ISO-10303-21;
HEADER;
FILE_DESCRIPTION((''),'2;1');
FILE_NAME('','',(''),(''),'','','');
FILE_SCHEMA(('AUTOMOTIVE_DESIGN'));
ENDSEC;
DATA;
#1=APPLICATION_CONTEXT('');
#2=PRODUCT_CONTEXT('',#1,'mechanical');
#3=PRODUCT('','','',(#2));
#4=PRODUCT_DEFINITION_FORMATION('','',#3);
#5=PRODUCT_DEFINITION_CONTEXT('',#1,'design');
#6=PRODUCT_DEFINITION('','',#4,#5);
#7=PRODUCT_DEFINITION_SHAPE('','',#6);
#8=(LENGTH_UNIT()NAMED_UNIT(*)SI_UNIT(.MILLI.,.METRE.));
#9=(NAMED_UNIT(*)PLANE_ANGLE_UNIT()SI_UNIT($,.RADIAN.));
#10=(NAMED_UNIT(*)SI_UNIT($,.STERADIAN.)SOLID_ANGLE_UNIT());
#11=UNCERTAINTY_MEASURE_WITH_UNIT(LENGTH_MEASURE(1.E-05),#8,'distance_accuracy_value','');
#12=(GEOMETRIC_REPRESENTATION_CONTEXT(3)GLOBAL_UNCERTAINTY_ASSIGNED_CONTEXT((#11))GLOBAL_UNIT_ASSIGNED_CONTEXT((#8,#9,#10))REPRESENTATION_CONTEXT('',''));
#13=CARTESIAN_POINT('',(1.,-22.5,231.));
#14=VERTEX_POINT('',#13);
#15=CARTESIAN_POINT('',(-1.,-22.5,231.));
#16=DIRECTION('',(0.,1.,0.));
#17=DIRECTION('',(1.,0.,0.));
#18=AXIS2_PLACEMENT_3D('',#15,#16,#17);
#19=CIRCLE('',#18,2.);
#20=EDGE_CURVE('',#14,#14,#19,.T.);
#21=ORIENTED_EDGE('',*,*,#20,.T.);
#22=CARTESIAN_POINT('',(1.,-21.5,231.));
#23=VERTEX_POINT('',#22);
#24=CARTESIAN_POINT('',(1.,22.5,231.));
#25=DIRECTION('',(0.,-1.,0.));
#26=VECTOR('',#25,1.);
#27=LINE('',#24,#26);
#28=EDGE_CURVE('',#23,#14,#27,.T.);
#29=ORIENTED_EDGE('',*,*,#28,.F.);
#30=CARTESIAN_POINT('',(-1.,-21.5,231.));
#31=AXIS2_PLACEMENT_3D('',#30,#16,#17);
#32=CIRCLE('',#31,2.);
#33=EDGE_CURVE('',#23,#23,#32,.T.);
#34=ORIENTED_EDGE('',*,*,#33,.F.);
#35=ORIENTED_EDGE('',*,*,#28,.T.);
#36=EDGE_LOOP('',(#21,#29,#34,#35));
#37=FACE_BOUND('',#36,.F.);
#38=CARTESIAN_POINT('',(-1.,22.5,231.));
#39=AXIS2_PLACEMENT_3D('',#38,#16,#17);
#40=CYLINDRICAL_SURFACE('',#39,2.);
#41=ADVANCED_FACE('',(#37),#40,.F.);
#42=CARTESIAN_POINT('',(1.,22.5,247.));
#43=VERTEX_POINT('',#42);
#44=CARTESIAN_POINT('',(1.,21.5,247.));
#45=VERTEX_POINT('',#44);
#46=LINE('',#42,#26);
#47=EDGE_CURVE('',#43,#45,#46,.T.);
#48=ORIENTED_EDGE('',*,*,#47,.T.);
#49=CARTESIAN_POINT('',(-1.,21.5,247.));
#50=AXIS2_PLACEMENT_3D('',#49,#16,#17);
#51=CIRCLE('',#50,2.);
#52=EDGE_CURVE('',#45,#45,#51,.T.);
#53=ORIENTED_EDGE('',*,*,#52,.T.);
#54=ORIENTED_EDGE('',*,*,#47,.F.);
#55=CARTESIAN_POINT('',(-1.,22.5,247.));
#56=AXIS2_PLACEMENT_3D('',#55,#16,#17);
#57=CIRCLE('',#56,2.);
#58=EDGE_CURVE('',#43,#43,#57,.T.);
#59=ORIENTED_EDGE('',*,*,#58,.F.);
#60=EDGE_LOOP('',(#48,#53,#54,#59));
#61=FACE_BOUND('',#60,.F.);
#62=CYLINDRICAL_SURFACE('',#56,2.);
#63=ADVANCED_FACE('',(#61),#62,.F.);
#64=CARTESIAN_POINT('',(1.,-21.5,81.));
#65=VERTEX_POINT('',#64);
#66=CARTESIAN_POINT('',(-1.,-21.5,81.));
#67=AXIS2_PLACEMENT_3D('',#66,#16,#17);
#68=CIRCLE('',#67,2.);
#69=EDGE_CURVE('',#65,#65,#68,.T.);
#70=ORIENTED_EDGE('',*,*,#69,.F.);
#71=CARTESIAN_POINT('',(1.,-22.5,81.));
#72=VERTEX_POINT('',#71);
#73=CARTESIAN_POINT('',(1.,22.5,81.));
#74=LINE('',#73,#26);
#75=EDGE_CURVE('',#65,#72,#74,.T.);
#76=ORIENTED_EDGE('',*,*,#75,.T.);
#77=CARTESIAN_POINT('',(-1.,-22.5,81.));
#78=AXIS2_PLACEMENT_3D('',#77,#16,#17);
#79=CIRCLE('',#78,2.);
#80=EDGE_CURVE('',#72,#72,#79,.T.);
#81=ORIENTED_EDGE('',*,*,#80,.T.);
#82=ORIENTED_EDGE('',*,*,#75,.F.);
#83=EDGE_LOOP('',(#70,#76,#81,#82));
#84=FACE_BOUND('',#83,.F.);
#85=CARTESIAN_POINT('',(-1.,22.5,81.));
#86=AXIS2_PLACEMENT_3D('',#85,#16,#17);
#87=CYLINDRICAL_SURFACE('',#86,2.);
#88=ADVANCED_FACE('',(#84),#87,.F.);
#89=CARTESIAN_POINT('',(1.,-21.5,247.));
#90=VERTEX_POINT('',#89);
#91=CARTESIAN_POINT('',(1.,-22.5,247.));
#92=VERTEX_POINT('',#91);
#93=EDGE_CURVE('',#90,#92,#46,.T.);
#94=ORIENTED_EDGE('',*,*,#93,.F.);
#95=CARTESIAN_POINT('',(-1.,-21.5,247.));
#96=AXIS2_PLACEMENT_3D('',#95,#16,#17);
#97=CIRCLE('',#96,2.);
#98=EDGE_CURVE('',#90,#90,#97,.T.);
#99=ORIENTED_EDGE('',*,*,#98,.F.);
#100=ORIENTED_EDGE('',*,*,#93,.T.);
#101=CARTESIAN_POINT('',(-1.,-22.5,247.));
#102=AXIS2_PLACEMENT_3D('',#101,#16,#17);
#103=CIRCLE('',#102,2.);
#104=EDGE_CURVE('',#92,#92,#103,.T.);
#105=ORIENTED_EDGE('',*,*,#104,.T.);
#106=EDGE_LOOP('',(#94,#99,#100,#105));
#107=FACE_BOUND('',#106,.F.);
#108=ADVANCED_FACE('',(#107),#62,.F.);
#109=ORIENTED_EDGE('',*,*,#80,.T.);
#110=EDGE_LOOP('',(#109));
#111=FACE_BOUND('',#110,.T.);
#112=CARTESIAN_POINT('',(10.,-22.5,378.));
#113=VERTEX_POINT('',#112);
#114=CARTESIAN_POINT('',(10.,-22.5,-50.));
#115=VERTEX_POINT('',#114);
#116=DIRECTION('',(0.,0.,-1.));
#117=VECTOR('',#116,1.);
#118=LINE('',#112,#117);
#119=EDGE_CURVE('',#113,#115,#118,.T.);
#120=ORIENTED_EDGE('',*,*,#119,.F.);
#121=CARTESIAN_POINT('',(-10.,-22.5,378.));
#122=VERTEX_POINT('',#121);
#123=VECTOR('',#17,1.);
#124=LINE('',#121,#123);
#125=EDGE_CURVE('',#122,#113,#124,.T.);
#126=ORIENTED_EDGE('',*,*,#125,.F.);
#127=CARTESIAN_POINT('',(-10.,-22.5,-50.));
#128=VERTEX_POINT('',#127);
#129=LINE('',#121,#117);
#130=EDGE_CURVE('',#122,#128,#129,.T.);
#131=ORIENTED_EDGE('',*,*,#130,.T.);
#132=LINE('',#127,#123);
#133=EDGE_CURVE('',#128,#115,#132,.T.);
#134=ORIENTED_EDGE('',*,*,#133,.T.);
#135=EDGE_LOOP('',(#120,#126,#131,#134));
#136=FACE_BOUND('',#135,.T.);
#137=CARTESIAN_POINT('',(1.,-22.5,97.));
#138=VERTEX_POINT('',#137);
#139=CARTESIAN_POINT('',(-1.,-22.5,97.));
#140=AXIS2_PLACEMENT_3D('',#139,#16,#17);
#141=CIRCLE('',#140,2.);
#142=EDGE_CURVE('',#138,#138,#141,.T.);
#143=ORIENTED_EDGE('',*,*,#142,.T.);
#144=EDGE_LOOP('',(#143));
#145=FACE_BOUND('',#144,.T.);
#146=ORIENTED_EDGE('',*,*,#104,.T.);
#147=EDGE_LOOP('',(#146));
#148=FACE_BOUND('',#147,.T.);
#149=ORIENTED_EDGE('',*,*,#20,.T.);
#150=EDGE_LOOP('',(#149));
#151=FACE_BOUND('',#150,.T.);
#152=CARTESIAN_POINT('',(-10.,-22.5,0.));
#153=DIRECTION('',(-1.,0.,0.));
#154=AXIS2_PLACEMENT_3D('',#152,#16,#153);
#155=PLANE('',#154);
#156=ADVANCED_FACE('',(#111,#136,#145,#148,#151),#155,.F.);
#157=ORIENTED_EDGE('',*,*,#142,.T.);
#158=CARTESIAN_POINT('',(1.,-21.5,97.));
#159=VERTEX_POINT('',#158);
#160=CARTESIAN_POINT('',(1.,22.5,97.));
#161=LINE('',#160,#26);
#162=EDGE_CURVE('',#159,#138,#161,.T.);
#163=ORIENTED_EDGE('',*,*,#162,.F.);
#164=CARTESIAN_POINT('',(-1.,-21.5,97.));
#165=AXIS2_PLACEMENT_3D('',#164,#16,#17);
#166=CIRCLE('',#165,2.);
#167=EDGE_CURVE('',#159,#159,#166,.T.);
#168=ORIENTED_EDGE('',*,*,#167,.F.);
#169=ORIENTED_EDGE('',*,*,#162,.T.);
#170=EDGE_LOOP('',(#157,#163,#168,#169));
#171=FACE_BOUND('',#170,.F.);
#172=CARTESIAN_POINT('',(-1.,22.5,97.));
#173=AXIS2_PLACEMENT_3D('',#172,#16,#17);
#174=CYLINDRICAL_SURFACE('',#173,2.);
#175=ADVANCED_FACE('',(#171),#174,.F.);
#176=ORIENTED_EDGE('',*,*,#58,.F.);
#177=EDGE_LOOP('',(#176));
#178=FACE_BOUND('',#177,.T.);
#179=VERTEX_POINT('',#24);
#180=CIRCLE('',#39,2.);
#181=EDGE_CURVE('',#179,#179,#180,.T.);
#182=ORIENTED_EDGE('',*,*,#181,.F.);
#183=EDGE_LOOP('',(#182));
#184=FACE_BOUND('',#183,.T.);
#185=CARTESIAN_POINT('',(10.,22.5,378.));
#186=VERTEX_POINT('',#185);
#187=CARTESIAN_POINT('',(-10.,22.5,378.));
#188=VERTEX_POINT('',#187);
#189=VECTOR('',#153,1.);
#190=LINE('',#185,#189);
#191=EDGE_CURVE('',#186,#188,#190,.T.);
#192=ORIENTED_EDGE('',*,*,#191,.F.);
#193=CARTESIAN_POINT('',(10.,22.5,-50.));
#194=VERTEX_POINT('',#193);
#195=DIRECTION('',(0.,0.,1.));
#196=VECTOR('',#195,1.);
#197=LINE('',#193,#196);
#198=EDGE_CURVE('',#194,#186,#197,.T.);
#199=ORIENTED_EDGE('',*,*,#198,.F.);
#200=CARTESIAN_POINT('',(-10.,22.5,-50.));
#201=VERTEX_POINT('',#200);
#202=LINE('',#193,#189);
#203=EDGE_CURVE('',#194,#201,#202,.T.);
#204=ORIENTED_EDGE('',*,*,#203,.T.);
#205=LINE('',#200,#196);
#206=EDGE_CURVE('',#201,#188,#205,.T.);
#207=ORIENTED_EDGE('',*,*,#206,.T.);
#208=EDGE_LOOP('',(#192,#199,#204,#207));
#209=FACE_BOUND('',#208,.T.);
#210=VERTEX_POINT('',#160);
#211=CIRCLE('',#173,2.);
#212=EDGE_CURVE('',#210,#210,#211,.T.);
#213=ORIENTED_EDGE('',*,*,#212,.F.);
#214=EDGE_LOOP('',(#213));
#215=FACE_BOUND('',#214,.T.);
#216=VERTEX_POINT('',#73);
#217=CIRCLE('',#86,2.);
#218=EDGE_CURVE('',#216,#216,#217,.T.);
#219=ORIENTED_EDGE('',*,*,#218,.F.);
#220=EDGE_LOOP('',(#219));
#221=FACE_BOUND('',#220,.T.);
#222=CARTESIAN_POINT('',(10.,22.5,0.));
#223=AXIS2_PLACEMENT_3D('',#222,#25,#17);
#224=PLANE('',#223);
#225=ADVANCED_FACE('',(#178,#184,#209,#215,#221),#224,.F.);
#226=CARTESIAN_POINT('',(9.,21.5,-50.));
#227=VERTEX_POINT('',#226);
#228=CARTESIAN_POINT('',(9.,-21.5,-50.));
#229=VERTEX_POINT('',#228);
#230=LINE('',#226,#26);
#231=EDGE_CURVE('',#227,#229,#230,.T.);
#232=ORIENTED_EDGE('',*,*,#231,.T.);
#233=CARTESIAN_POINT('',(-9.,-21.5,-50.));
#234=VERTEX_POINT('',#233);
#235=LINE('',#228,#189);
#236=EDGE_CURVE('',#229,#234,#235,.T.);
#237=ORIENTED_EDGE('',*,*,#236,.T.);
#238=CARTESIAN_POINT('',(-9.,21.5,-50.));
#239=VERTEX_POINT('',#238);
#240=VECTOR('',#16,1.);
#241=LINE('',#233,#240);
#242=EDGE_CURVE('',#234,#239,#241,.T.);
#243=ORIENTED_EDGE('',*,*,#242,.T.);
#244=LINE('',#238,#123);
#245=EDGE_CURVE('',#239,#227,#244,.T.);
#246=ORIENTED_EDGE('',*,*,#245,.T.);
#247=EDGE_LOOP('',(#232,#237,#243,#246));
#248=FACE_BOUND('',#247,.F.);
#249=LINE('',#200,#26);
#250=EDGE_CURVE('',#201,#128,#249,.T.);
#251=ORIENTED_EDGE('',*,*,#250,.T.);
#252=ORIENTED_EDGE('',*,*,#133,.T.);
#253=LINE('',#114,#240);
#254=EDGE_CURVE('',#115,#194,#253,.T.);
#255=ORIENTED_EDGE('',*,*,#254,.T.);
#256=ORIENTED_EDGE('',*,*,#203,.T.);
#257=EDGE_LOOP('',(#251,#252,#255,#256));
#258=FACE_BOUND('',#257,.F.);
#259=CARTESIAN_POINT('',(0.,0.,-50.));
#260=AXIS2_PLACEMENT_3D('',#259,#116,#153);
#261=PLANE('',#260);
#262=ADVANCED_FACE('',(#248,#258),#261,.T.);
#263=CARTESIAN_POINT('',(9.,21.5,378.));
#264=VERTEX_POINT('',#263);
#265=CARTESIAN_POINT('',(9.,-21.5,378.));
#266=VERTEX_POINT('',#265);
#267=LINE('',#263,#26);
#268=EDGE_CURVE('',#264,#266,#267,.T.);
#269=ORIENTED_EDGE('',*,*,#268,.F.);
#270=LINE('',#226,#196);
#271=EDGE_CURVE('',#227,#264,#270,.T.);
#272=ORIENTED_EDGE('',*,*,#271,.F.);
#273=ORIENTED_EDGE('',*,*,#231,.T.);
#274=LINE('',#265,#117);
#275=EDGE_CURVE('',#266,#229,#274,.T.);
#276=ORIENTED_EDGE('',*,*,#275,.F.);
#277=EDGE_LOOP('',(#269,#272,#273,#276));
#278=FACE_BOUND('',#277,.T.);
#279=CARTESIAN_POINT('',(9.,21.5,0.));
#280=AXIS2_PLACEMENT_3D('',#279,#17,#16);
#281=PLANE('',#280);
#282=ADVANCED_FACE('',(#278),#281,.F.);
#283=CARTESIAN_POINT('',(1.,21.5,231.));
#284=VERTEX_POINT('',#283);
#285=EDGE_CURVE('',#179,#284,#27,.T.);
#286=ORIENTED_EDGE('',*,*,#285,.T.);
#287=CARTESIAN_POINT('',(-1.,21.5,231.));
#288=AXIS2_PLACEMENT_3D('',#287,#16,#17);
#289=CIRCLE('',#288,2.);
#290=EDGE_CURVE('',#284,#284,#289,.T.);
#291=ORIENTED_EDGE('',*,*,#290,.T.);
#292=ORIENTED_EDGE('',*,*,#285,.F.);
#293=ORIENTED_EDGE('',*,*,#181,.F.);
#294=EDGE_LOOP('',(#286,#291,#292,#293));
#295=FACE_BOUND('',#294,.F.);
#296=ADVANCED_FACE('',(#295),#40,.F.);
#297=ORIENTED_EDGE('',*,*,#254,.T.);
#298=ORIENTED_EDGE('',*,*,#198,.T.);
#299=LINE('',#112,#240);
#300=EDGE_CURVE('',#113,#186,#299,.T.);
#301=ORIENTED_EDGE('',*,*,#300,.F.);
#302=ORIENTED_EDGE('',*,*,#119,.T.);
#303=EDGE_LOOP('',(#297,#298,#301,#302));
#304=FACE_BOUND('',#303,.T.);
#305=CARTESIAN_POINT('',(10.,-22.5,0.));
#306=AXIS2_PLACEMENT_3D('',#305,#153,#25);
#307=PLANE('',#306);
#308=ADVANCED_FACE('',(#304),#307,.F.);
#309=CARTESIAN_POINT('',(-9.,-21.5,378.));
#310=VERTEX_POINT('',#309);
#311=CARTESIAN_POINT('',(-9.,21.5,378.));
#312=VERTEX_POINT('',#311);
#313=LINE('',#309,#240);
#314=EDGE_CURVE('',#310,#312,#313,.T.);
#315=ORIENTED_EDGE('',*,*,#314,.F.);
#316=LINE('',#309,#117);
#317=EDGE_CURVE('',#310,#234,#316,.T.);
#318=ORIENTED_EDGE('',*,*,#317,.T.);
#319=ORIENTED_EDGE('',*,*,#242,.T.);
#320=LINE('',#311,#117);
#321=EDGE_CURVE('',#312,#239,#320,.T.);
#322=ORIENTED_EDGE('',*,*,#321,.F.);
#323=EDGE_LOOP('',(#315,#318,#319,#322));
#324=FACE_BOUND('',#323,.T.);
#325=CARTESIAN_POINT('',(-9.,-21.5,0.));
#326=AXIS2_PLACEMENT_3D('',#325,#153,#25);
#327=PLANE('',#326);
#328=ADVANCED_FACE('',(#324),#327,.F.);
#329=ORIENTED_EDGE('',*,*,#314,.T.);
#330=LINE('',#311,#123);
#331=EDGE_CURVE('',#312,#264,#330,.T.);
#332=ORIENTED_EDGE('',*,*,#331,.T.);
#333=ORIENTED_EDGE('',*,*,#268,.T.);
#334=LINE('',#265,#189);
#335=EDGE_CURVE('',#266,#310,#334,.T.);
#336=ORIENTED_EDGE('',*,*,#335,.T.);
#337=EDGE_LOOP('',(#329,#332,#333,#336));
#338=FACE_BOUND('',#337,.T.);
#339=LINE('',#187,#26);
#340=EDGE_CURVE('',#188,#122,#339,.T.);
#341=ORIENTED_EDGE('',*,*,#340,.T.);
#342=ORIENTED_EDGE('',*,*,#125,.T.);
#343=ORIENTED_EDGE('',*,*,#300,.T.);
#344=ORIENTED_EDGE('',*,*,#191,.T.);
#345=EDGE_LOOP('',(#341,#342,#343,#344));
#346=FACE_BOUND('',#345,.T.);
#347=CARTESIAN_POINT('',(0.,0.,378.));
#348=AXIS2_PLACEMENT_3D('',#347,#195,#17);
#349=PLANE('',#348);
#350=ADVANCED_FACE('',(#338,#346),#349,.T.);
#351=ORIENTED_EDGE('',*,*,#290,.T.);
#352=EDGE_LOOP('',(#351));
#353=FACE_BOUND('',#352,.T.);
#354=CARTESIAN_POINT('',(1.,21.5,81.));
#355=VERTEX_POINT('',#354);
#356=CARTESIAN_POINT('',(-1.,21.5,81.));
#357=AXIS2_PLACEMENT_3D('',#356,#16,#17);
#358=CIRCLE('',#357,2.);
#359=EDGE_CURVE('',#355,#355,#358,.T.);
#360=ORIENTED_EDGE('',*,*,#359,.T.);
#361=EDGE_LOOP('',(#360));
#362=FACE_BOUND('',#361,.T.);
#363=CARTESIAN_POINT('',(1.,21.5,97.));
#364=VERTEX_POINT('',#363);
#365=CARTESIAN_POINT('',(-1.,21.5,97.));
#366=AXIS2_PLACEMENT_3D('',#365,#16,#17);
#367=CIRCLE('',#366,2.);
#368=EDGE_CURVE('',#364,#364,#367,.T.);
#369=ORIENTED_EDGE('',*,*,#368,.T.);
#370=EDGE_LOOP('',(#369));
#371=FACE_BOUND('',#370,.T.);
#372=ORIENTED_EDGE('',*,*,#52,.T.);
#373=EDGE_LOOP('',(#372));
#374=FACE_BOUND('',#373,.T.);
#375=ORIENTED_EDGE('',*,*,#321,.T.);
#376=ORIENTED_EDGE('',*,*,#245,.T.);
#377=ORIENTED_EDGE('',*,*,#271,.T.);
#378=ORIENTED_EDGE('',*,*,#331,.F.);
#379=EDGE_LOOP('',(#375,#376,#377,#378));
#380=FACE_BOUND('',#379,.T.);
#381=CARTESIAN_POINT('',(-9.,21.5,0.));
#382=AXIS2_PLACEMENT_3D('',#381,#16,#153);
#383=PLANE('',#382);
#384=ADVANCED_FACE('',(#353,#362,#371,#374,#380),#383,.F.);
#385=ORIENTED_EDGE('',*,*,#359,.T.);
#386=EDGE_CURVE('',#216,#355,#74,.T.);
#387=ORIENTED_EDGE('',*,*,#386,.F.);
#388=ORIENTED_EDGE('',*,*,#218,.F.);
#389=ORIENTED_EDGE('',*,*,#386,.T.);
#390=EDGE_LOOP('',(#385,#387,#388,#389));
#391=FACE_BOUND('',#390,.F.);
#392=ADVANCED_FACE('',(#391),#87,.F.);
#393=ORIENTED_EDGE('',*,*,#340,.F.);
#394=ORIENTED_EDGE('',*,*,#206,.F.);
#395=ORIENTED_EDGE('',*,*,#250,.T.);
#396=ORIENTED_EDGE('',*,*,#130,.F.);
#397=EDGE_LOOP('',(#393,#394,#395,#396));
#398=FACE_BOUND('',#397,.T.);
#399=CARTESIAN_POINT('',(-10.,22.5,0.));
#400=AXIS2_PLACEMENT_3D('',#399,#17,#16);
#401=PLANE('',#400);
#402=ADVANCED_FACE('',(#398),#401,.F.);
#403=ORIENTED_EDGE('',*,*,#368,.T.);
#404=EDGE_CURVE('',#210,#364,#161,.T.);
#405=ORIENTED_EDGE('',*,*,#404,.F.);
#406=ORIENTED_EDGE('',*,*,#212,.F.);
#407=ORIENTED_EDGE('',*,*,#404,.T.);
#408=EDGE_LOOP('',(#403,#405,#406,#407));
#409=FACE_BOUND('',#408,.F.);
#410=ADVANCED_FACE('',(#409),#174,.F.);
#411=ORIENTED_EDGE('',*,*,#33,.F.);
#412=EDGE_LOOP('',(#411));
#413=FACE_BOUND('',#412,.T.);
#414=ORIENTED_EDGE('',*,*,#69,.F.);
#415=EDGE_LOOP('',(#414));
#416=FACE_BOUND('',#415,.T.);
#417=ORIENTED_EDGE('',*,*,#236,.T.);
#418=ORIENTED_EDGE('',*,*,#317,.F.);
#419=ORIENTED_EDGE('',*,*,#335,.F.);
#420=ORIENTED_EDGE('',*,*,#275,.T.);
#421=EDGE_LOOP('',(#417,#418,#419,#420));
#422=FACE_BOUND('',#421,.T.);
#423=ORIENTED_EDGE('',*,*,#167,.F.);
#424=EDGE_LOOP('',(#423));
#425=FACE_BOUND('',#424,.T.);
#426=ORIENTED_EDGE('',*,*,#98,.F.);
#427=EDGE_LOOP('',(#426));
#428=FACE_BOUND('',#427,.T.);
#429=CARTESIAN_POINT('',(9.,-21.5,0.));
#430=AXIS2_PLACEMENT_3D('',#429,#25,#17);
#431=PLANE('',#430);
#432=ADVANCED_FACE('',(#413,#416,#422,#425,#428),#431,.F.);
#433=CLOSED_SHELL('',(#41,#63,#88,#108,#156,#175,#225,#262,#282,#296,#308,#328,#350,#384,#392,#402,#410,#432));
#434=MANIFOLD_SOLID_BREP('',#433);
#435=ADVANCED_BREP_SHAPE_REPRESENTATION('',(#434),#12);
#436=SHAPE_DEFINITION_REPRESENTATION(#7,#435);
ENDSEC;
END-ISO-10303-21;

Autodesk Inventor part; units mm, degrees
ref_plane "YZ Plane" through (0, 0, 0) normal (1, 0, 0) x (0, 1, 0)
ref_plane "XZ Plane" through (0, 0, 0) normal (0, 1, 0) x (-1, 0, 0)
ref_plane "XY Plane" through (0, 0, 0) normal (0, 0, 1) x (1, 0, 0)
sketch "草图1" plane through (0, 0, 0) normal (0, 0, 1) x (1, 0, 0)
  line L0 (10, -22.5) -> (-10, -22.5)
  line L1 (-10, -22.5) -> (-10, 22.5)
  line L2 (-10, 22.5) -> (10, 22.5)
  line L3 (10, 22.5) -> (10, -22.5)
  line L4 (10, -22.5) -> (-10, 22.5) construction
  line L5 (-10, -22.5) -> (10, 22.5) construction
  line L6 (9, 21.5) -> (-9, 21.5)
  line L7 (-9, 21.5) -> (-9, -21.5)
  line L8 (-9, -21.5) -> (9, -21.5)
  line L9 (9, -21.5) -> (9, 21.5)
  point P0 (0, 0)
  dimension "d0" = 45
  dimension "d1" = 20
  dimension "d4" = 1
extrude "拉伸1" add sketch "草图1" along normal blind 328
sketch "草图4" plane through (-10, 22.5, 0) normal (0, 1, 0) x (1, 0, 0)
  circle A0 centre (9, -81) radius 2
  circle A1 centre (9, -97) radius 2
  line L0 (0, 0) -> (0, -328) projected
  line L1 (20, 0) -> (0, 0) projected
  line L2 (0, -164) -> (-22.908, -164)
  circle A2 centre (9, -247) radius 2
  circle A3 centre (9, -231) radius 2
  point P0 (10, 0)
  dimension "d5" = 9
  dimension "d6" = 16
  dimension "d7" = 81
extrude "拉伸2" cut sketch "草图4" against normal blind 58.75
sketch "草图5" plane through (0, 0, 328) normal (0, 0, 1) x (1, 0, 0)
  line L0 (10, 22.5) -> (-10, 22.5) projected
  line L1 (-10, 22.5) -> (-10, -22.5) projected
  line L2 (-10, -22.5) -> (10, -22.5) projected
  line L3 (10, -22.5) -> (10, 22.5) projected
  line L4 (9, 21.5) -> (9, -21.5) projected
  line L5 (9, -21.5) -> (-9, -21.5) projected
  line L6 (-9, -21.5) -> (-9, 21.5) projected
  line L7 (-9, 21.5) -> (9, 21.5) projected
  point P0 (0, 0)
ref_plane "工作平面1" through (0, 0, 164) normal (0, 0, 1) x (1, 0, 0)
extrude "拉伸3" add sketch "草图5" along normal blind 50
mirror "镜像1" about plane through (0, 0, 164) normal (0, 0, 1) of "拉伸3"
properties part number "321x30"
